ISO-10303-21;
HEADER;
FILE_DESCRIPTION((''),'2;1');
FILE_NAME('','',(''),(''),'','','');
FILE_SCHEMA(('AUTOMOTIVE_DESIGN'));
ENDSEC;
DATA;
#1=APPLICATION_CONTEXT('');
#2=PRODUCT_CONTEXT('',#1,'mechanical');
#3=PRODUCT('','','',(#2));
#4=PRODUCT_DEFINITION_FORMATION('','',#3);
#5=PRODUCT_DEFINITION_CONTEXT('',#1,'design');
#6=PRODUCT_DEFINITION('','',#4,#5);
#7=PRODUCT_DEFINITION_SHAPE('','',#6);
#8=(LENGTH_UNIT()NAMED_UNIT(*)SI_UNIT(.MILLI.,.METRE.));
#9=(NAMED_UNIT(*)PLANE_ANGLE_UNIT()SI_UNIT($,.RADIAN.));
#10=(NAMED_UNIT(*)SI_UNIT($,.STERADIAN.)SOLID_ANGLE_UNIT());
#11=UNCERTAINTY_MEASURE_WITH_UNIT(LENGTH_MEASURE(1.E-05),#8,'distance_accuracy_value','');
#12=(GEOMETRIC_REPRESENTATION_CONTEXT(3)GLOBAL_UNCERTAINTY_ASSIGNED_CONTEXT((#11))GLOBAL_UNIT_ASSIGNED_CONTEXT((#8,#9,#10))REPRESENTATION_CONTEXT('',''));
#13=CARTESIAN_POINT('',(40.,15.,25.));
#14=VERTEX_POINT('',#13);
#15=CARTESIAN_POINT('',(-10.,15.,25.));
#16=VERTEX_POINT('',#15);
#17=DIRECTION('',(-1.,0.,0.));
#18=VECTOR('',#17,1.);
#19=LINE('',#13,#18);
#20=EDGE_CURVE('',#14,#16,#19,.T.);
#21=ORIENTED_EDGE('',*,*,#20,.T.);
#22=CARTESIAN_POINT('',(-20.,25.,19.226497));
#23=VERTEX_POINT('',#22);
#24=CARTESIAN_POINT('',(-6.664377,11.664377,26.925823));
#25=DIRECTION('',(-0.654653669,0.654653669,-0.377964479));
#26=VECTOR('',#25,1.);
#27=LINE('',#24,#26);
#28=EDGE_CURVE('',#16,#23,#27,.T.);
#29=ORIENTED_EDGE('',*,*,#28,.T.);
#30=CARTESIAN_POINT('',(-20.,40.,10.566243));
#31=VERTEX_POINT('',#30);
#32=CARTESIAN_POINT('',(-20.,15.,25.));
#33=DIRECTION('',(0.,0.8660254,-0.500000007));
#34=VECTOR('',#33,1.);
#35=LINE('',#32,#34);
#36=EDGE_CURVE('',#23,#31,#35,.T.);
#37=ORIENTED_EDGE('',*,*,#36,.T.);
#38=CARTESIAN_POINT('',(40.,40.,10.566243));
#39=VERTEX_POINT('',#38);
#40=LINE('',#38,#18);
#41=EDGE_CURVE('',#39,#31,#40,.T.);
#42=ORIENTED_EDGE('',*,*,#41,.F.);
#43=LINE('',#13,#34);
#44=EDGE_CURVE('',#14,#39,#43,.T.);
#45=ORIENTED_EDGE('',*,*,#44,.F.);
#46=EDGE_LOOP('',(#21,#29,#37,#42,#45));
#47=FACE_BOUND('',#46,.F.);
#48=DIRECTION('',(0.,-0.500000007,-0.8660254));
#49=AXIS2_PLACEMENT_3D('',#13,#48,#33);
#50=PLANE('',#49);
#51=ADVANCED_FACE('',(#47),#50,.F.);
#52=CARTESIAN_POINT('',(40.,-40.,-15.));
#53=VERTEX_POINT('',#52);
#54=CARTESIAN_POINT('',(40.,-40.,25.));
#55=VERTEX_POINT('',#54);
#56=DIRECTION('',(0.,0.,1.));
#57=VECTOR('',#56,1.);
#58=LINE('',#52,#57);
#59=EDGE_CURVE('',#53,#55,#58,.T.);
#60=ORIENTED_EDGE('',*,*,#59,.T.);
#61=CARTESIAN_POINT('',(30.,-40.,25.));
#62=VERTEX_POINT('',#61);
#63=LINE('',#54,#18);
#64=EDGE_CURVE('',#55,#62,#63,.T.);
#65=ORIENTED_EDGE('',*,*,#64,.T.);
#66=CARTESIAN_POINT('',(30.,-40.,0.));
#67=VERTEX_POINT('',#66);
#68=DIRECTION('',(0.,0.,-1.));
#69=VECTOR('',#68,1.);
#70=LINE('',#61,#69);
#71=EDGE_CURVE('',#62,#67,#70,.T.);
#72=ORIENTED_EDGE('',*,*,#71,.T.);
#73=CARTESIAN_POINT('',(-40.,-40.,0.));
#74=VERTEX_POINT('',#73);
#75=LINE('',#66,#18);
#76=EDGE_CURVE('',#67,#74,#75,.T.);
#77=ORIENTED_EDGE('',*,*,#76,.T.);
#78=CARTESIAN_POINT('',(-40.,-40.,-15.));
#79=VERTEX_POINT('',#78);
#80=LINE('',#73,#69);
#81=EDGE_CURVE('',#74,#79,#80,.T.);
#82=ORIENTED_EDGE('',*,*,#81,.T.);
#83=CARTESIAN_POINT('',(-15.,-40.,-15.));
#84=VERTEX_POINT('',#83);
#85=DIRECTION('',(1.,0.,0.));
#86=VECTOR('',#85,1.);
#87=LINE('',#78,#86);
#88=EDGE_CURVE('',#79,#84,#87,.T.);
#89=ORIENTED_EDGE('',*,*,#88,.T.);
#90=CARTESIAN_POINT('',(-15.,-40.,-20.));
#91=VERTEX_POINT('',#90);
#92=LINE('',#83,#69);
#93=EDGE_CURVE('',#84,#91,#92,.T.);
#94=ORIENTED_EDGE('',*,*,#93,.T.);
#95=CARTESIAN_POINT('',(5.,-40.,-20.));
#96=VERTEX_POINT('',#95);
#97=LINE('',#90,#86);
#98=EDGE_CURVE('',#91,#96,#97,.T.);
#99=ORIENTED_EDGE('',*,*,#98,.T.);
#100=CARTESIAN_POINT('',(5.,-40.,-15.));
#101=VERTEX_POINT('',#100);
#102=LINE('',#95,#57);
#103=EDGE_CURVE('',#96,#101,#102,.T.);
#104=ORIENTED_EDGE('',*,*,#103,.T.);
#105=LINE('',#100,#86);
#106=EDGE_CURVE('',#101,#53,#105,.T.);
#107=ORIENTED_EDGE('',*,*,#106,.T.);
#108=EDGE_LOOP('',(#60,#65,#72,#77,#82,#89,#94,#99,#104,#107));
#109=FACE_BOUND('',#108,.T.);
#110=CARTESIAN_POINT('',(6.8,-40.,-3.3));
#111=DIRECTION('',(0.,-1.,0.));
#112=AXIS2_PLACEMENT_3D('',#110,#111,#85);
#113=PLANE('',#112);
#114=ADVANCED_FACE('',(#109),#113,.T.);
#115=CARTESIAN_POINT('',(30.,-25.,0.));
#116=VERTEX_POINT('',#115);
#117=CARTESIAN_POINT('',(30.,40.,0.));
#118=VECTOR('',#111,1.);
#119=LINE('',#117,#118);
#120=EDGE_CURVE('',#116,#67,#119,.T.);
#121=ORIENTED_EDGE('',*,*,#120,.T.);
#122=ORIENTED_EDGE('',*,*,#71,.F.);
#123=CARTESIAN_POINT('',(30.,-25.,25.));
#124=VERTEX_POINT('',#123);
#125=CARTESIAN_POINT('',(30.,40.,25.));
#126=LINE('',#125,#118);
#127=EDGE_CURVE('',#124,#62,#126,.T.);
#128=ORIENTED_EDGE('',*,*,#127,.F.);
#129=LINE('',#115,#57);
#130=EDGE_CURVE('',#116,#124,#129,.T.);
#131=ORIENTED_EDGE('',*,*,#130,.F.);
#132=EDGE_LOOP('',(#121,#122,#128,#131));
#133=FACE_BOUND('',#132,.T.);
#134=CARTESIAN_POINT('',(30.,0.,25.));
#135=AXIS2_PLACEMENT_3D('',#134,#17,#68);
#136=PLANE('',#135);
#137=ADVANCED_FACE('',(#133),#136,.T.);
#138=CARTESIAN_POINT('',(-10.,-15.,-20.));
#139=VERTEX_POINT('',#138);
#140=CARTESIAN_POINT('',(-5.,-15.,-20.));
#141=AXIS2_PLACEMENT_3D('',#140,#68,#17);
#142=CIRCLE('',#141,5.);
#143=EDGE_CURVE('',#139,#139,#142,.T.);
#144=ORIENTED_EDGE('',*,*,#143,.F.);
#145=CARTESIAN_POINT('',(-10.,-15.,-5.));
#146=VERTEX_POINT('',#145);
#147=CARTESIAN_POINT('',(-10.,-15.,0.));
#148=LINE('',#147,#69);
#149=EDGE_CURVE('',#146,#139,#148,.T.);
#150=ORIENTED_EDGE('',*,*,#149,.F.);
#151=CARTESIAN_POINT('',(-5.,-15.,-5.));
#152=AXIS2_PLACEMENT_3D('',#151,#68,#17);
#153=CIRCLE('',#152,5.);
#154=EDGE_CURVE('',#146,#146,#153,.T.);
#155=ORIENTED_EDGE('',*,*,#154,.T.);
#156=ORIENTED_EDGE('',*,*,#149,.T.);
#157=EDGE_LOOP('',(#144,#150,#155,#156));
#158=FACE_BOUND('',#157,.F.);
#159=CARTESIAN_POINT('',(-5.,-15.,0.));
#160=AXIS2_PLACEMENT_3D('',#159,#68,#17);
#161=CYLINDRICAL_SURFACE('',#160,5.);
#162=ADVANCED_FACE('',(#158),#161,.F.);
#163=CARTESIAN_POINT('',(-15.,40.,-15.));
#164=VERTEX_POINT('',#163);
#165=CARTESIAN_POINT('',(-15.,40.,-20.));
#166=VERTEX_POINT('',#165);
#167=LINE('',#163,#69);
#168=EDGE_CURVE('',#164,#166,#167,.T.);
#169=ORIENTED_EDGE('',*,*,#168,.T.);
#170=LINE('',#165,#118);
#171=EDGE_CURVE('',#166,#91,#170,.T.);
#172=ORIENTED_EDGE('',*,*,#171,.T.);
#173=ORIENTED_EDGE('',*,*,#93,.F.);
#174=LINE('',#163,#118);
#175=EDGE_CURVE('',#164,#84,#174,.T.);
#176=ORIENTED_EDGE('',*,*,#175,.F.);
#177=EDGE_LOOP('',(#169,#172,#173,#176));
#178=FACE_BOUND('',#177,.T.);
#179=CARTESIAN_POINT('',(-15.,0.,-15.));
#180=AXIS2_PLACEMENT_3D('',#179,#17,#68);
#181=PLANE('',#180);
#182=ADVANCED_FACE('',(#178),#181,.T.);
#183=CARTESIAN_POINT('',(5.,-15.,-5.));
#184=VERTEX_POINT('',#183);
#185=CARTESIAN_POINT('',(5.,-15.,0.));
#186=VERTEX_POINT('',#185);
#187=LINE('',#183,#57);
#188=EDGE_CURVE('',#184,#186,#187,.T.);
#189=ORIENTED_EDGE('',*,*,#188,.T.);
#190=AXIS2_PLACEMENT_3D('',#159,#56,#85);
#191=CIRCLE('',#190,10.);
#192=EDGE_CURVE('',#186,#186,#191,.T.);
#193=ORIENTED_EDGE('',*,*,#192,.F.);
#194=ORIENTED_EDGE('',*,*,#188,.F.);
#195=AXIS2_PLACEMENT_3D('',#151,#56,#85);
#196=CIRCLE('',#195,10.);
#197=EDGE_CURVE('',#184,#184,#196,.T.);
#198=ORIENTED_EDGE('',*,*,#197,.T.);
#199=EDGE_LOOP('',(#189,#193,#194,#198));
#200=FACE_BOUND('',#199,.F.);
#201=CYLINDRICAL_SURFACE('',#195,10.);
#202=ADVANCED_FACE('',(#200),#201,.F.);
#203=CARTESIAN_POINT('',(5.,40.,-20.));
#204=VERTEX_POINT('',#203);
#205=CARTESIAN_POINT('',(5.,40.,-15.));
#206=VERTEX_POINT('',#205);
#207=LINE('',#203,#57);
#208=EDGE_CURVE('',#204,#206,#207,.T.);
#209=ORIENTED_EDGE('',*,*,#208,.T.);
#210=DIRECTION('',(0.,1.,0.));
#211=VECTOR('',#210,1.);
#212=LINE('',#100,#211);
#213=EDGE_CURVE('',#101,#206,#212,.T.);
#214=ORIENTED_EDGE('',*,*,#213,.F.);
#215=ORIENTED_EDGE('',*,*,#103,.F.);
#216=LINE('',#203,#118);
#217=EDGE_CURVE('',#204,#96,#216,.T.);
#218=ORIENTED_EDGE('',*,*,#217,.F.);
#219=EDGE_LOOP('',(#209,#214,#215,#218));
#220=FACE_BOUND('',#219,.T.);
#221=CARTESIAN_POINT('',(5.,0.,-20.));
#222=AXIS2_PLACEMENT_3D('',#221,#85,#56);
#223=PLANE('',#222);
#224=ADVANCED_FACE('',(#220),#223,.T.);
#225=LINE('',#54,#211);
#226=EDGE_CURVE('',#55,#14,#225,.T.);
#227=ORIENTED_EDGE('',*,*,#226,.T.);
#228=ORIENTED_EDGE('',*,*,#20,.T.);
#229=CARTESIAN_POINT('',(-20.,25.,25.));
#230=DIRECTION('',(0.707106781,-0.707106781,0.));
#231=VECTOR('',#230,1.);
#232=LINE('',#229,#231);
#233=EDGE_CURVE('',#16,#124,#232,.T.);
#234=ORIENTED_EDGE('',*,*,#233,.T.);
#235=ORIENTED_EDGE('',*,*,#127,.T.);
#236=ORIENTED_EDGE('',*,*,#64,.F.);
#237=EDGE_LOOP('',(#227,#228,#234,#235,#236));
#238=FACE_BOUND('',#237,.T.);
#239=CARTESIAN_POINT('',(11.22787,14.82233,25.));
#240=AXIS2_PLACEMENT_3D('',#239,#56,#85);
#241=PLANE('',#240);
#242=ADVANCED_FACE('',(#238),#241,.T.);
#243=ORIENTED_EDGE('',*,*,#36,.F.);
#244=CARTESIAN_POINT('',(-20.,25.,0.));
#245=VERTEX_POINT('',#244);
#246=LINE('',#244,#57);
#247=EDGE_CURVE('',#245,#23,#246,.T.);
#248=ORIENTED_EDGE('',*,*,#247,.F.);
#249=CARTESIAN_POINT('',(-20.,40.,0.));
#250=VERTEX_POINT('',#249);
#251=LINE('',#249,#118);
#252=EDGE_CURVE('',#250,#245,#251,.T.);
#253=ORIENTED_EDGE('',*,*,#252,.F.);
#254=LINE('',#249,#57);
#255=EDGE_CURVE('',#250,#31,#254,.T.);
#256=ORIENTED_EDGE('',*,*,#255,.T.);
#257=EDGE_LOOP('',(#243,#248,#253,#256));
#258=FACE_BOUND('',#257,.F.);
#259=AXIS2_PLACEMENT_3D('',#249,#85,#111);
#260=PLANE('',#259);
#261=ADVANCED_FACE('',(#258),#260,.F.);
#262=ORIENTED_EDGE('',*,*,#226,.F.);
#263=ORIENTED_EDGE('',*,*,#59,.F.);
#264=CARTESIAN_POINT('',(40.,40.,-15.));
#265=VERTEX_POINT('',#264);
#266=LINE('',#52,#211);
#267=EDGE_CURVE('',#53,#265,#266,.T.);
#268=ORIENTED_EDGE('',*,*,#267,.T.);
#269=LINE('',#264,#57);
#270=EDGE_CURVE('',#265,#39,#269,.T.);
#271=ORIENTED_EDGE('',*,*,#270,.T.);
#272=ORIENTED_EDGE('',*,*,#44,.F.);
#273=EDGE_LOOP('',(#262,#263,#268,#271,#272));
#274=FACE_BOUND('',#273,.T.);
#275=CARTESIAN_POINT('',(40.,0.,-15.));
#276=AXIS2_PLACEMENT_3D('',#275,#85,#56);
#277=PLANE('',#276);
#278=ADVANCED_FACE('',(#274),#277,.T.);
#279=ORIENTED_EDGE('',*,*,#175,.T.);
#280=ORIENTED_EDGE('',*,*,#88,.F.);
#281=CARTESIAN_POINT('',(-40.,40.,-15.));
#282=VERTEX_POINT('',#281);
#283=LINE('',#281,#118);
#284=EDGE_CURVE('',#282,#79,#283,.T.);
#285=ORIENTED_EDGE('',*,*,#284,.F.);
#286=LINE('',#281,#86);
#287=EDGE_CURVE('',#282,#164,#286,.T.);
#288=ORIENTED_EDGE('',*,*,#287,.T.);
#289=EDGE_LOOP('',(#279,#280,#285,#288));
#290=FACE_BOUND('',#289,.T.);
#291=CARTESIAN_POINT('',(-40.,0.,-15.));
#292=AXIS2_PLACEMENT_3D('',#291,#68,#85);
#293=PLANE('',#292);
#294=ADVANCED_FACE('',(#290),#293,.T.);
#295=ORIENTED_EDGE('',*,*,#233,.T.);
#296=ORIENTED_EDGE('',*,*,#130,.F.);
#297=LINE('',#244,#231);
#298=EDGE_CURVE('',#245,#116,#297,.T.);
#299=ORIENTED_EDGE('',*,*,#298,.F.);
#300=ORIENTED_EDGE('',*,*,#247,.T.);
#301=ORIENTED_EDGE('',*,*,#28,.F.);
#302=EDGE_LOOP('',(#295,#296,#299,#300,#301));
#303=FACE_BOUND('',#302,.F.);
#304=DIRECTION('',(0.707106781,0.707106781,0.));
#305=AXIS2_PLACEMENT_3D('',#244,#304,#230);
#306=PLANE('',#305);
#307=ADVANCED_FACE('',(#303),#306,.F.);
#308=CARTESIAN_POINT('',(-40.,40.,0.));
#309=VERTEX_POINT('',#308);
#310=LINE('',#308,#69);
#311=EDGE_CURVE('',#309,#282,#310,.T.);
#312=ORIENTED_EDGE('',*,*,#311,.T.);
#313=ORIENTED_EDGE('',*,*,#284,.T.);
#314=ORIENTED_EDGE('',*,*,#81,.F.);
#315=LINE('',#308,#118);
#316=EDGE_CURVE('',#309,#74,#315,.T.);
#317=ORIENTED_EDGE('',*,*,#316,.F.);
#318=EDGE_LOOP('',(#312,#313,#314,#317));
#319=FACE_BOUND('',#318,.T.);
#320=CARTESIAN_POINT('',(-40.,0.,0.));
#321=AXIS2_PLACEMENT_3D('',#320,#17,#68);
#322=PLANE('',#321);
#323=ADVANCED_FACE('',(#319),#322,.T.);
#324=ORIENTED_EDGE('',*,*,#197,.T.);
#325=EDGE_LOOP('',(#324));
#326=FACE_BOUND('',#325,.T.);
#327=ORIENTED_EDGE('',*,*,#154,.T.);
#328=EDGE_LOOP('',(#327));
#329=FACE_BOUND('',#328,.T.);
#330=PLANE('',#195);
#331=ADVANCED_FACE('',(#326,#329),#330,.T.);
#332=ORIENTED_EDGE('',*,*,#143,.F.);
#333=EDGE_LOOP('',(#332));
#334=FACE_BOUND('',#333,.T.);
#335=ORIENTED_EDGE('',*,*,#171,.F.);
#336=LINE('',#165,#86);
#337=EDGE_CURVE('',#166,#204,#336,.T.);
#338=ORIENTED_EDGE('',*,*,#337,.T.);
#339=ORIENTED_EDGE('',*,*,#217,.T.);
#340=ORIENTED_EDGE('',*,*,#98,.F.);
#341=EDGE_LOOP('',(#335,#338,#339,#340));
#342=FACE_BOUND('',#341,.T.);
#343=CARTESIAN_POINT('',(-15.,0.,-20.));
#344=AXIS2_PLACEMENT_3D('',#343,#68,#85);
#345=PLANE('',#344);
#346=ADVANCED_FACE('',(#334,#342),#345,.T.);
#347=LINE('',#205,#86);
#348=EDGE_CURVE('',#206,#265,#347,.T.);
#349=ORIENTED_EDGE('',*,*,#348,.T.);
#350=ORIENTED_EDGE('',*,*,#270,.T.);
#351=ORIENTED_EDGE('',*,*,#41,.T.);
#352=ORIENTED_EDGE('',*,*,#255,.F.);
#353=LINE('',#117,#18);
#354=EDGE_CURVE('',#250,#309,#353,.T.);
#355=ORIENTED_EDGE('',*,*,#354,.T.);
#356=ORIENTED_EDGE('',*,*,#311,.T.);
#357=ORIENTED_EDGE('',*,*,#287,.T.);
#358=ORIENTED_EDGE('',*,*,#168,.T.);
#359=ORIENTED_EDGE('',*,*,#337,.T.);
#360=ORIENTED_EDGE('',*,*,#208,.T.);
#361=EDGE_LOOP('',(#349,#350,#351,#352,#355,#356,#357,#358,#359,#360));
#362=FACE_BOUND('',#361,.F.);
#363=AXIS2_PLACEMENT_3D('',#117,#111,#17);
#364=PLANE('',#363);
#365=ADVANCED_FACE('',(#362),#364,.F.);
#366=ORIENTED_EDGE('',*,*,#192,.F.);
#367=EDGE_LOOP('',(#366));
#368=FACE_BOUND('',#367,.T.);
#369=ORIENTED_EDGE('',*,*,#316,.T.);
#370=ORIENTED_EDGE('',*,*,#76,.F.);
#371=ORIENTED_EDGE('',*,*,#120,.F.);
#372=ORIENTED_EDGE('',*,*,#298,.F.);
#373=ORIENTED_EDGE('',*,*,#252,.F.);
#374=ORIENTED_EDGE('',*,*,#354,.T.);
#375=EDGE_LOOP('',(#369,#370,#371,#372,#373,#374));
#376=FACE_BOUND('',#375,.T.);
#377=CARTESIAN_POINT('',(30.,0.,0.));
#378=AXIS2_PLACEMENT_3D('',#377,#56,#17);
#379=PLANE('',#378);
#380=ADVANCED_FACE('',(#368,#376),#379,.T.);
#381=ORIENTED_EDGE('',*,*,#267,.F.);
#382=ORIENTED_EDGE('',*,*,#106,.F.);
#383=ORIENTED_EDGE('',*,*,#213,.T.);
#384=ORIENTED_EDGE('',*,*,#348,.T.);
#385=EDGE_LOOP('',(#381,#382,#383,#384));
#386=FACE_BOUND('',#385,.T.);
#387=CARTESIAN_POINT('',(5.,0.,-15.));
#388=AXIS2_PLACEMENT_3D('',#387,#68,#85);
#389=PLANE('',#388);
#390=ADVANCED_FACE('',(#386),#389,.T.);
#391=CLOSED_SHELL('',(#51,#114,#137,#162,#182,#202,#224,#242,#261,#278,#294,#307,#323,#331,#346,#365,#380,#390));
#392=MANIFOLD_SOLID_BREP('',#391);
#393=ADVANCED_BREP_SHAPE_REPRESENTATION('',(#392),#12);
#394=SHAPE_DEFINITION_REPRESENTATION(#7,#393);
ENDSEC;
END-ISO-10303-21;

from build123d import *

# Parameters (mm, degrees)
F1_DEPTH       = 40
F3_DEPTH       = 25
F5_DEPTH       = 60
F7_D           = 10
F7_CBORE_D     = 20
F7_CBORE_DEPTH = 5


with BuildPart() as f1:
    # F0 (on Front) → F1 (new body, symmetric)
    with BuildSketch(Plane.XZ):
        Polygon((40, 25), (30, 25), (30, 0), (-40, 0), (-40, -15), (-15, -15), (-15, -20), (5, -20), (5, -15), (40, -15), align=None)
    extrude(amount=F1_DEPTH, both=True)

    # F2 (on face) → F3 (join, through all)
    with BuildSketch(Plane.XY):
        Polygon((30, -25), (30, 40), (-20, 40), (-20, 25), align=None)
    extrude(amount=F3_DEPTH)

    # F4 (on face) → F5 (cut, through all)
    with BuildSketch(Plane.YZ.offset(40)):
        Polygon((40, 25), (15, 25), (40, 10.566243), align=None)
    extrude(amount=-F5_DEPTH, mode=Mode.SUBTRACT)

    # F7 (through all)
    with Locations(Plane.XY):
        with Locations((-5, -15)):
            CounterBoreHole(F7_D / 2, F7_CBORE_D / 2, F7_CBORE_DEPTH)


solid = f1.part
